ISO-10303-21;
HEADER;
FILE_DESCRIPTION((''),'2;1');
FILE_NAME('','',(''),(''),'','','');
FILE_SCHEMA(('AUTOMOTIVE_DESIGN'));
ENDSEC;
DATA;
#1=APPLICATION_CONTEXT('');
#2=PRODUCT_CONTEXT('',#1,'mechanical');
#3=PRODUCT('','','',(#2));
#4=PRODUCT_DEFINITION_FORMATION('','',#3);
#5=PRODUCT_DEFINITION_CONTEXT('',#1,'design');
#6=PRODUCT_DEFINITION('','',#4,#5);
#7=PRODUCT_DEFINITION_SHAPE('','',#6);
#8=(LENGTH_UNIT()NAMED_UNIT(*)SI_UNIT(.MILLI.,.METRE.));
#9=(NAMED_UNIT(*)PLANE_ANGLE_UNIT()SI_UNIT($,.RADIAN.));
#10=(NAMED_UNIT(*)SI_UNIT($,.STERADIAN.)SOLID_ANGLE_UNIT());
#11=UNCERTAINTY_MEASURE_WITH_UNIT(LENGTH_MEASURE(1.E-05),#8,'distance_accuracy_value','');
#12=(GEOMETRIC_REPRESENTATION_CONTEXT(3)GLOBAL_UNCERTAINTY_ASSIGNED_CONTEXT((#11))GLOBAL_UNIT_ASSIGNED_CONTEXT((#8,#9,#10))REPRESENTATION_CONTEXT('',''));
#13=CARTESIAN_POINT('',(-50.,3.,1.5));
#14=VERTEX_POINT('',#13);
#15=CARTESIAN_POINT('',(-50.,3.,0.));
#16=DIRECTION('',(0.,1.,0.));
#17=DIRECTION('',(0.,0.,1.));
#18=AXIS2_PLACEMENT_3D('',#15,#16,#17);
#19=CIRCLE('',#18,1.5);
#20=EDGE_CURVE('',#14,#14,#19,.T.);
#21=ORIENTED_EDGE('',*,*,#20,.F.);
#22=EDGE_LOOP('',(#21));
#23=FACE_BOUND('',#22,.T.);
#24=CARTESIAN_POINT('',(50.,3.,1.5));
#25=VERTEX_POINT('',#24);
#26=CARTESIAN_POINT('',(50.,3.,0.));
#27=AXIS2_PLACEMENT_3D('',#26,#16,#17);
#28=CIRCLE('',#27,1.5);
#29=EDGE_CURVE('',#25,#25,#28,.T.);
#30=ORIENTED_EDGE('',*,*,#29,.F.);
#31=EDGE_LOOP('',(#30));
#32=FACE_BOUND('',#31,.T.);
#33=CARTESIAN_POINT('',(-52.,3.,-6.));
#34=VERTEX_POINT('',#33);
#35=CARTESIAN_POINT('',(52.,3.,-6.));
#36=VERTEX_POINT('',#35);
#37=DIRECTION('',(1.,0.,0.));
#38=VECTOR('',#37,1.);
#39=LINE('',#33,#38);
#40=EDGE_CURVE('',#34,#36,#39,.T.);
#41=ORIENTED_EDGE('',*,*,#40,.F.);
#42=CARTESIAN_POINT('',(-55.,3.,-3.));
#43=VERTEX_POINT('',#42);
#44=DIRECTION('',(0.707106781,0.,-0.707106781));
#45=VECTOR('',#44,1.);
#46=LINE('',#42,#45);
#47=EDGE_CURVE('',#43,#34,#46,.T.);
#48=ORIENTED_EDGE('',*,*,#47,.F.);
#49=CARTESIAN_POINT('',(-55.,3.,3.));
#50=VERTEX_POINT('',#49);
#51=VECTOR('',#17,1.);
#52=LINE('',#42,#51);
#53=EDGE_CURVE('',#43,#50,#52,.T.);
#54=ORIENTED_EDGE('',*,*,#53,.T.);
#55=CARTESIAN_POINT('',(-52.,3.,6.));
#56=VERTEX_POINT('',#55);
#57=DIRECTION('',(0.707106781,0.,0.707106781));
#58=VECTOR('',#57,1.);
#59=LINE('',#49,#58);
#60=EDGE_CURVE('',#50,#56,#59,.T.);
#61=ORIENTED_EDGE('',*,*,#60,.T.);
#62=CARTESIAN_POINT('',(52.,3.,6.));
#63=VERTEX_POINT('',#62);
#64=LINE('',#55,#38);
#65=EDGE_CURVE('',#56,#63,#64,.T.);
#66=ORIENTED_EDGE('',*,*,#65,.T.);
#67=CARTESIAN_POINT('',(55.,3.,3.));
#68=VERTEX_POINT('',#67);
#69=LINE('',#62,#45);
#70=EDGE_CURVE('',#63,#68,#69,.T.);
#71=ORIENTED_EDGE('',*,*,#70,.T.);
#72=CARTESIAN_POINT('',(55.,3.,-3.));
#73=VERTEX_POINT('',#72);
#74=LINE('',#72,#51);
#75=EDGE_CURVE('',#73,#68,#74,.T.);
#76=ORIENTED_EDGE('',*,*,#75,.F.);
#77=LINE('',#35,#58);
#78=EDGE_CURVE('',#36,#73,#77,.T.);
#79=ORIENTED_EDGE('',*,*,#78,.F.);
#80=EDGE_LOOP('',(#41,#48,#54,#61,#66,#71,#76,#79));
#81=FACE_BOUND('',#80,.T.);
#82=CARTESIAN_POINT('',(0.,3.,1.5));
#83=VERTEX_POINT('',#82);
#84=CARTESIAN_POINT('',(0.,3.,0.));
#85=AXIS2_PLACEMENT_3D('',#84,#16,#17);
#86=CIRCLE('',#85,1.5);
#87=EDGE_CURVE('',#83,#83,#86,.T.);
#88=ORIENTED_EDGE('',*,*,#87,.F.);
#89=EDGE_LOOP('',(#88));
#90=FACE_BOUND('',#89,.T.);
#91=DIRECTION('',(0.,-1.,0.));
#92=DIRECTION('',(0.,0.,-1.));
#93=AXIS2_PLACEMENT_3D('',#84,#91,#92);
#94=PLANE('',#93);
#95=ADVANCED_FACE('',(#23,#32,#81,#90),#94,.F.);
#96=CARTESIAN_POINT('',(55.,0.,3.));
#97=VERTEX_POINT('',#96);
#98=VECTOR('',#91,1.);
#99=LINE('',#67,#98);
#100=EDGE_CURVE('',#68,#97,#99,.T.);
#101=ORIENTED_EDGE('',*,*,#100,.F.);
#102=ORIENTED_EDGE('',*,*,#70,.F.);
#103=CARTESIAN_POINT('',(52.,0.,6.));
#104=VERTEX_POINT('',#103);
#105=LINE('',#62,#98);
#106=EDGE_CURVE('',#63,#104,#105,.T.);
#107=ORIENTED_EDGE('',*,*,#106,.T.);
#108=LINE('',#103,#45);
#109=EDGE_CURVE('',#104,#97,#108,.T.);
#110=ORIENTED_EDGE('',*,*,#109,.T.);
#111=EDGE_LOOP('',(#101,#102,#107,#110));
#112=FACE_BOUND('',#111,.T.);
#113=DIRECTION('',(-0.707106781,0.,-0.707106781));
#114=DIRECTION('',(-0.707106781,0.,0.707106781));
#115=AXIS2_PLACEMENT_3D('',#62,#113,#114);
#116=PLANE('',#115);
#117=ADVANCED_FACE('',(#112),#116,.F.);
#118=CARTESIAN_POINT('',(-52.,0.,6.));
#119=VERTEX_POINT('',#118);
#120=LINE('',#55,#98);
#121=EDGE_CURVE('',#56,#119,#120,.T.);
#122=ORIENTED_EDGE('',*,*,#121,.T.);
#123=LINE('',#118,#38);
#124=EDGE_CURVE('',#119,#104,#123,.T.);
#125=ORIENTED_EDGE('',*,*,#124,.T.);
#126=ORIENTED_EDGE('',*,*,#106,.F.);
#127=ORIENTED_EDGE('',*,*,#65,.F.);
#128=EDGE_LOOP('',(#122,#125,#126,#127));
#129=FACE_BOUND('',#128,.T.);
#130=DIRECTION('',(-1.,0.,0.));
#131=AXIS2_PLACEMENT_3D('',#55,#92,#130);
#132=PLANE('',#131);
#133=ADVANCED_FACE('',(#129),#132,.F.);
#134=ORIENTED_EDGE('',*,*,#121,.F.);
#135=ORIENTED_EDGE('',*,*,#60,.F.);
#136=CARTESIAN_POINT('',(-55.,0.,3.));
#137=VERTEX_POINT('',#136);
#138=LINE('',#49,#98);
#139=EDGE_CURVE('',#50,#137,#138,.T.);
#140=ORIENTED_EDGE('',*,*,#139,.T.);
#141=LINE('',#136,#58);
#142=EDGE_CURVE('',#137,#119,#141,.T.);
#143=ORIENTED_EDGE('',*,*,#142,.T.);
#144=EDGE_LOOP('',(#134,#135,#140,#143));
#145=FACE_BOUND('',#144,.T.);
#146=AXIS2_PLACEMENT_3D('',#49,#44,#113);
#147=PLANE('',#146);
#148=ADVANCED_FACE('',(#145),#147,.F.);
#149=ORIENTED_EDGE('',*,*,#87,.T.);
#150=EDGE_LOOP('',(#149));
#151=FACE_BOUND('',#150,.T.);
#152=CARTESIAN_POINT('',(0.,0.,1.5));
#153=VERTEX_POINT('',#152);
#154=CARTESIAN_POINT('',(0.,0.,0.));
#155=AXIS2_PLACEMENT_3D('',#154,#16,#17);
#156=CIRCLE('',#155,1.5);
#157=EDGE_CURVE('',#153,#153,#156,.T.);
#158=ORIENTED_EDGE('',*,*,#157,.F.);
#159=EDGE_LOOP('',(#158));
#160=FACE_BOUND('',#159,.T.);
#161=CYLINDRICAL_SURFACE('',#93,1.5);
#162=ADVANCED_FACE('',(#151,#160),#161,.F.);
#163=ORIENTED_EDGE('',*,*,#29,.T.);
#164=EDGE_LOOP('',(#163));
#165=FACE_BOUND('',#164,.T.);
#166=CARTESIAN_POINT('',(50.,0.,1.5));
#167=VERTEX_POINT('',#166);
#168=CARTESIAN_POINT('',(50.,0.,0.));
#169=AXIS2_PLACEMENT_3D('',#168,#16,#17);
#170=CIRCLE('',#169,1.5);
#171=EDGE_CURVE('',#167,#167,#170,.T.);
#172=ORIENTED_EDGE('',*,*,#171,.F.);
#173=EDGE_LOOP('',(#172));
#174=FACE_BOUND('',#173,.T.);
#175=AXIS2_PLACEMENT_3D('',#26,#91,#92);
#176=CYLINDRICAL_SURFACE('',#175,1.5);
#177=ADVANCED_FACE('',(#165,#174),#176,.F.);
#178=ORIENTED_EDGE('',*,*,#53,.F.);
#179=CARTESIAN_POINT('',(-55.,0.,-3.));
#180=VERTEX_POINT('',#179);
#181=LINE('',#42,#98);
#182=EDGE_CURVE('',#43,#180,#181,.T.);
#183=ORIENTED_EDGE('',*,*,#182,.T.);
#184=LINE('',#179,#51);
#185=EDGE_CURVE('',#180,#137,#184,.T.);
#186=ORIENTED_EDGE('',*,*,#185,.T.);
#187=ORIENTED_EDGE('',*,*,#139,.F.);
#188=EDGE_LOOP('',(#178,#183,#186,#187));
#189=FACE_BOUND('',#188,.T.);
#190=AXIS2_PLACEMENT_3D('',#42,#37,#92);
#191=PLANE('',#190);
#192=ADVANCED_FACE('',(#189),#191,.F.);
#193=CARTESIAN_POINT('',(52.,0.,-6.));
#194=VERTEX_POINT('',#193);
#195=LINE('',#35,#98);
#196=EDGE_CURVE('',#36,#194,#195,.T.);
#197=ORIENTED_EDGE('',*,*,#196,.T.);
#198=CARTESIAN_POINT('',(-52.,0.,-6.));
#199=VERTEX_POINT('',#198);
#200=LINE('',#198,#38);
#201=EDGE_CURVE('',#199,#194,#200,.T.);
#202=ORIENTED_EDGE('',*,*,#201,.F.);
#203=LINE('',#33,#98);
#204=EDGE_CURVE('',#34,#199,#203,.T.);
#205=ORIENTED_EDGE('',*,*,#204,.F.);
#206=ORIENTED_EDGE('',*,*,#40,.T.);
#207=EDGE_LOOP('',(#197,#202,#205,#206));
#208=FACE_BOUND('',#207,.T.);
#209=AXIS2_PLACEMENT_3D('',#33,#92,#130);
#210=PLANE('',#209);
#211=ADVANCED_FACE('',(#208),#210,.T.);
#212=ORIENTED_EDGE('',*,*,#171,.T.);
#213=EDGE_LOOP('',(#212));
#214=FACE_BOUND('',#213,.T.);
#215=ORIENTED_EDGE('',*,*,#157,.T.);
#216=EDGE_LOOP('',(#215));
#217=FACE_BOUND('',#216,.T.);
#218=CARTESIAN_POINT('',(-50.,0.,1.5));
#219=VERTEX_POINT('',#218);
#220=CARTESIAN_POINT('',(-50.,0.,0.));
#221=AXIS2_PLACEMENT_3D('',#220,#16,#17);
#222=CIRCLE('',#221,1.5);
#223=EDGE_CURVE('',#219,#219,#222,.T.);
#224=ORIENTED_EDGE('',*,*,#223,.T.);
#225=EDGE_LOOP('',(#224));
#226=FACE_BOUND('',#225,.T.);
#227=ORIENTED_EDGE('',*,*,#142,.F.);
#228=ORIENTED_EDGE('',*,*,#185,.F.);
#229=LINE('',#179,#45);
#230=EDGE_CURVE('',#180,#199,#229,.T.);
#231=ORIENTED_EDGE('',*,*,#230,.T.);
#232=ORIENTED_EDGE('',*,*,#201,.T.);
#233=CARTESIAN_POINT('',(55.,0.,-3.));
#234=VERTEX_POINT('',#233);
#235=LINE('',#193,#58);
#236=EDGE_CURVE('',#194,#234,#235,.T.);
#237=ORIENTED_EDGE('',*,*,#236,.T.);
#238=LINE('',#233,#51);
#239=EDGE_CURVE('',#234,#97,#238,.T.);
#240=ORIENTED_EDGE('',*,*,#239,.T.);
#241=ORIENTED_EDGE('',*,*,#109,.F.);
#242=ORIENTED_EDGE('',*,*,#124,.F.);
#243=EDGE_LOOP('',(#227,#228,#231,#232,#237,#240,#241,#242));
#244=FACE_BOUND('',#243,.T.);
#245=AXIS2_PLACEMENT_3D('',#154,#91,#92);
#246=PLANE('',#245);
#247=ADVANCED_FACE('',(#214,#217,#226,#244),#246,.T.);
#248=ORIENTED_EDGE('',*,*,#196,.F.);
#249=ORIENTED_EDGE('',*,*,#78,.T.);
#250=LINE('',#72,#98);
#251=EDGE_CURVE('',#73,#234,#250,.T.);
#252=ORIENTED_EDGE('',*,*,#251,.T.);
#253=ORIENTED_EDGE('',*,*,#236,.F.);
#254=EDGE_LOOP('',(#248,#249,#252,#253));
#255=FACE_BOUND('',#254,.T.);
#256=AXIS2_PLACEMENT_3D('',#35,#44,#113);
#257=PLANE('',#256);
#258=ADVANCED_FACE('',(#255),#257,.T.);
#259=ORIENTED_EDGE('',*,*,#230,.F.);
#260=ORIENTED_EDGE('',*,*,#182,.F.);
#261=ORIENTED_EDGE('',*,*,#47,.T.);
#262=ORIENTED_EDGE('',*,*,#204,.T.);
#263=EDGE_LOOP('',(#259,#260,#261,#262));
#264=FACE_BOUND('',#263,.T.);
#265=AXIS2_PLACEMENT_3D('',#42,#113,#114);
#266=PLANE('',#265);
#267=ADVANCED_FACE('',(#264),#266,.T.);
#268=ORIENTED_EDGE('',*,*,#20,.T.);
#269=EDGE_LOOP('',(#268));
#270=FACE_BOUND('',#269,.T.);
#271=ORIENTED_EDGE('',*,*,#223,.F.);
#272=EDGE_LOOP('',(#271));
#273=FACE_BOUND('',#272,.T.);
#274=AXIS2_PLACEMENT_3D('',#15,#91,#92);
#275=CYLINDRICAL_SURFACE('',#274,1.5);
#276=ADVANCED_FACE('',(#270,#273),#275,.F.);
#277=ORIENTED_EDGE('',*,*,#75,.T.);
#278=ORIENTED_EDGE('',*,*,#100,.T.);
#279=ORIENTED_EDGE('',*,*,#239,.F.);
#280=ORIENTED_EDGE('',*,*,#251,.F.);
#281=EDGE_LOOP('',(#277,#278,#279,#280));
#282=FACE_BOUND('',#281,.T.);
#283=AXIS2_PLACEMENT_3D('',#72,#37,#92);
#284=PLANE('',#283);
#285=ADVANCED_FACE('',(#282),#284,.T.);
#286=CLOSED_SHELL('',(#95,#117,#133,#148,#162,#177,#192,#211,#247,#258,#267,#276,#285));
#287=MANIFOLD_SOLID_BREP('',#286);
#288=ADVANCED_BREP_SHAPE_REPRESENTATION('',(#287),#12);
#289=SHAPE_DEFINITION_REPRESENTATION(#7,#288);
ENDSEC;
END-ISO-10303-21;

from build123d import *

# Parameters (mm, degrees)
SKETCH1_R           = 1.5
BOSS_EXTRUDE1_DEPTH = 3


with BuildPart() as part:
    # Sketch1 → Boss-Extrude1 (new body)
    with BuildSketch(Plane(origin=(0, 0, 0), x_dir=(1, 0, 0), z_dir=(0, 1, 0))):
        Polygon((-55, 3), (-52, 6), (52, 6), (55, 3), (55, -3), (52, -6), (-52, -6), (-55, -3), align=None)
        with Locations(Location((-50, 0, 0), (0, 0, 270))):
            Circle(SKETCH1_R, mode=Mode.SUBTRACT)
        with Locations(Location((0, 0, 0), (0, 0, 270))):
            Circle(SKETCH1_R, mode=Mode.SUBTRACT)
        with Locations(Location((50, 0, 0), (0, 0, 270))):
            Circle(SKETCH1_R, mode=Mode.SUBTRACT)
    extrude(amount=BOSS_EXTRUDE1_DEPTH)


solid = part.part
